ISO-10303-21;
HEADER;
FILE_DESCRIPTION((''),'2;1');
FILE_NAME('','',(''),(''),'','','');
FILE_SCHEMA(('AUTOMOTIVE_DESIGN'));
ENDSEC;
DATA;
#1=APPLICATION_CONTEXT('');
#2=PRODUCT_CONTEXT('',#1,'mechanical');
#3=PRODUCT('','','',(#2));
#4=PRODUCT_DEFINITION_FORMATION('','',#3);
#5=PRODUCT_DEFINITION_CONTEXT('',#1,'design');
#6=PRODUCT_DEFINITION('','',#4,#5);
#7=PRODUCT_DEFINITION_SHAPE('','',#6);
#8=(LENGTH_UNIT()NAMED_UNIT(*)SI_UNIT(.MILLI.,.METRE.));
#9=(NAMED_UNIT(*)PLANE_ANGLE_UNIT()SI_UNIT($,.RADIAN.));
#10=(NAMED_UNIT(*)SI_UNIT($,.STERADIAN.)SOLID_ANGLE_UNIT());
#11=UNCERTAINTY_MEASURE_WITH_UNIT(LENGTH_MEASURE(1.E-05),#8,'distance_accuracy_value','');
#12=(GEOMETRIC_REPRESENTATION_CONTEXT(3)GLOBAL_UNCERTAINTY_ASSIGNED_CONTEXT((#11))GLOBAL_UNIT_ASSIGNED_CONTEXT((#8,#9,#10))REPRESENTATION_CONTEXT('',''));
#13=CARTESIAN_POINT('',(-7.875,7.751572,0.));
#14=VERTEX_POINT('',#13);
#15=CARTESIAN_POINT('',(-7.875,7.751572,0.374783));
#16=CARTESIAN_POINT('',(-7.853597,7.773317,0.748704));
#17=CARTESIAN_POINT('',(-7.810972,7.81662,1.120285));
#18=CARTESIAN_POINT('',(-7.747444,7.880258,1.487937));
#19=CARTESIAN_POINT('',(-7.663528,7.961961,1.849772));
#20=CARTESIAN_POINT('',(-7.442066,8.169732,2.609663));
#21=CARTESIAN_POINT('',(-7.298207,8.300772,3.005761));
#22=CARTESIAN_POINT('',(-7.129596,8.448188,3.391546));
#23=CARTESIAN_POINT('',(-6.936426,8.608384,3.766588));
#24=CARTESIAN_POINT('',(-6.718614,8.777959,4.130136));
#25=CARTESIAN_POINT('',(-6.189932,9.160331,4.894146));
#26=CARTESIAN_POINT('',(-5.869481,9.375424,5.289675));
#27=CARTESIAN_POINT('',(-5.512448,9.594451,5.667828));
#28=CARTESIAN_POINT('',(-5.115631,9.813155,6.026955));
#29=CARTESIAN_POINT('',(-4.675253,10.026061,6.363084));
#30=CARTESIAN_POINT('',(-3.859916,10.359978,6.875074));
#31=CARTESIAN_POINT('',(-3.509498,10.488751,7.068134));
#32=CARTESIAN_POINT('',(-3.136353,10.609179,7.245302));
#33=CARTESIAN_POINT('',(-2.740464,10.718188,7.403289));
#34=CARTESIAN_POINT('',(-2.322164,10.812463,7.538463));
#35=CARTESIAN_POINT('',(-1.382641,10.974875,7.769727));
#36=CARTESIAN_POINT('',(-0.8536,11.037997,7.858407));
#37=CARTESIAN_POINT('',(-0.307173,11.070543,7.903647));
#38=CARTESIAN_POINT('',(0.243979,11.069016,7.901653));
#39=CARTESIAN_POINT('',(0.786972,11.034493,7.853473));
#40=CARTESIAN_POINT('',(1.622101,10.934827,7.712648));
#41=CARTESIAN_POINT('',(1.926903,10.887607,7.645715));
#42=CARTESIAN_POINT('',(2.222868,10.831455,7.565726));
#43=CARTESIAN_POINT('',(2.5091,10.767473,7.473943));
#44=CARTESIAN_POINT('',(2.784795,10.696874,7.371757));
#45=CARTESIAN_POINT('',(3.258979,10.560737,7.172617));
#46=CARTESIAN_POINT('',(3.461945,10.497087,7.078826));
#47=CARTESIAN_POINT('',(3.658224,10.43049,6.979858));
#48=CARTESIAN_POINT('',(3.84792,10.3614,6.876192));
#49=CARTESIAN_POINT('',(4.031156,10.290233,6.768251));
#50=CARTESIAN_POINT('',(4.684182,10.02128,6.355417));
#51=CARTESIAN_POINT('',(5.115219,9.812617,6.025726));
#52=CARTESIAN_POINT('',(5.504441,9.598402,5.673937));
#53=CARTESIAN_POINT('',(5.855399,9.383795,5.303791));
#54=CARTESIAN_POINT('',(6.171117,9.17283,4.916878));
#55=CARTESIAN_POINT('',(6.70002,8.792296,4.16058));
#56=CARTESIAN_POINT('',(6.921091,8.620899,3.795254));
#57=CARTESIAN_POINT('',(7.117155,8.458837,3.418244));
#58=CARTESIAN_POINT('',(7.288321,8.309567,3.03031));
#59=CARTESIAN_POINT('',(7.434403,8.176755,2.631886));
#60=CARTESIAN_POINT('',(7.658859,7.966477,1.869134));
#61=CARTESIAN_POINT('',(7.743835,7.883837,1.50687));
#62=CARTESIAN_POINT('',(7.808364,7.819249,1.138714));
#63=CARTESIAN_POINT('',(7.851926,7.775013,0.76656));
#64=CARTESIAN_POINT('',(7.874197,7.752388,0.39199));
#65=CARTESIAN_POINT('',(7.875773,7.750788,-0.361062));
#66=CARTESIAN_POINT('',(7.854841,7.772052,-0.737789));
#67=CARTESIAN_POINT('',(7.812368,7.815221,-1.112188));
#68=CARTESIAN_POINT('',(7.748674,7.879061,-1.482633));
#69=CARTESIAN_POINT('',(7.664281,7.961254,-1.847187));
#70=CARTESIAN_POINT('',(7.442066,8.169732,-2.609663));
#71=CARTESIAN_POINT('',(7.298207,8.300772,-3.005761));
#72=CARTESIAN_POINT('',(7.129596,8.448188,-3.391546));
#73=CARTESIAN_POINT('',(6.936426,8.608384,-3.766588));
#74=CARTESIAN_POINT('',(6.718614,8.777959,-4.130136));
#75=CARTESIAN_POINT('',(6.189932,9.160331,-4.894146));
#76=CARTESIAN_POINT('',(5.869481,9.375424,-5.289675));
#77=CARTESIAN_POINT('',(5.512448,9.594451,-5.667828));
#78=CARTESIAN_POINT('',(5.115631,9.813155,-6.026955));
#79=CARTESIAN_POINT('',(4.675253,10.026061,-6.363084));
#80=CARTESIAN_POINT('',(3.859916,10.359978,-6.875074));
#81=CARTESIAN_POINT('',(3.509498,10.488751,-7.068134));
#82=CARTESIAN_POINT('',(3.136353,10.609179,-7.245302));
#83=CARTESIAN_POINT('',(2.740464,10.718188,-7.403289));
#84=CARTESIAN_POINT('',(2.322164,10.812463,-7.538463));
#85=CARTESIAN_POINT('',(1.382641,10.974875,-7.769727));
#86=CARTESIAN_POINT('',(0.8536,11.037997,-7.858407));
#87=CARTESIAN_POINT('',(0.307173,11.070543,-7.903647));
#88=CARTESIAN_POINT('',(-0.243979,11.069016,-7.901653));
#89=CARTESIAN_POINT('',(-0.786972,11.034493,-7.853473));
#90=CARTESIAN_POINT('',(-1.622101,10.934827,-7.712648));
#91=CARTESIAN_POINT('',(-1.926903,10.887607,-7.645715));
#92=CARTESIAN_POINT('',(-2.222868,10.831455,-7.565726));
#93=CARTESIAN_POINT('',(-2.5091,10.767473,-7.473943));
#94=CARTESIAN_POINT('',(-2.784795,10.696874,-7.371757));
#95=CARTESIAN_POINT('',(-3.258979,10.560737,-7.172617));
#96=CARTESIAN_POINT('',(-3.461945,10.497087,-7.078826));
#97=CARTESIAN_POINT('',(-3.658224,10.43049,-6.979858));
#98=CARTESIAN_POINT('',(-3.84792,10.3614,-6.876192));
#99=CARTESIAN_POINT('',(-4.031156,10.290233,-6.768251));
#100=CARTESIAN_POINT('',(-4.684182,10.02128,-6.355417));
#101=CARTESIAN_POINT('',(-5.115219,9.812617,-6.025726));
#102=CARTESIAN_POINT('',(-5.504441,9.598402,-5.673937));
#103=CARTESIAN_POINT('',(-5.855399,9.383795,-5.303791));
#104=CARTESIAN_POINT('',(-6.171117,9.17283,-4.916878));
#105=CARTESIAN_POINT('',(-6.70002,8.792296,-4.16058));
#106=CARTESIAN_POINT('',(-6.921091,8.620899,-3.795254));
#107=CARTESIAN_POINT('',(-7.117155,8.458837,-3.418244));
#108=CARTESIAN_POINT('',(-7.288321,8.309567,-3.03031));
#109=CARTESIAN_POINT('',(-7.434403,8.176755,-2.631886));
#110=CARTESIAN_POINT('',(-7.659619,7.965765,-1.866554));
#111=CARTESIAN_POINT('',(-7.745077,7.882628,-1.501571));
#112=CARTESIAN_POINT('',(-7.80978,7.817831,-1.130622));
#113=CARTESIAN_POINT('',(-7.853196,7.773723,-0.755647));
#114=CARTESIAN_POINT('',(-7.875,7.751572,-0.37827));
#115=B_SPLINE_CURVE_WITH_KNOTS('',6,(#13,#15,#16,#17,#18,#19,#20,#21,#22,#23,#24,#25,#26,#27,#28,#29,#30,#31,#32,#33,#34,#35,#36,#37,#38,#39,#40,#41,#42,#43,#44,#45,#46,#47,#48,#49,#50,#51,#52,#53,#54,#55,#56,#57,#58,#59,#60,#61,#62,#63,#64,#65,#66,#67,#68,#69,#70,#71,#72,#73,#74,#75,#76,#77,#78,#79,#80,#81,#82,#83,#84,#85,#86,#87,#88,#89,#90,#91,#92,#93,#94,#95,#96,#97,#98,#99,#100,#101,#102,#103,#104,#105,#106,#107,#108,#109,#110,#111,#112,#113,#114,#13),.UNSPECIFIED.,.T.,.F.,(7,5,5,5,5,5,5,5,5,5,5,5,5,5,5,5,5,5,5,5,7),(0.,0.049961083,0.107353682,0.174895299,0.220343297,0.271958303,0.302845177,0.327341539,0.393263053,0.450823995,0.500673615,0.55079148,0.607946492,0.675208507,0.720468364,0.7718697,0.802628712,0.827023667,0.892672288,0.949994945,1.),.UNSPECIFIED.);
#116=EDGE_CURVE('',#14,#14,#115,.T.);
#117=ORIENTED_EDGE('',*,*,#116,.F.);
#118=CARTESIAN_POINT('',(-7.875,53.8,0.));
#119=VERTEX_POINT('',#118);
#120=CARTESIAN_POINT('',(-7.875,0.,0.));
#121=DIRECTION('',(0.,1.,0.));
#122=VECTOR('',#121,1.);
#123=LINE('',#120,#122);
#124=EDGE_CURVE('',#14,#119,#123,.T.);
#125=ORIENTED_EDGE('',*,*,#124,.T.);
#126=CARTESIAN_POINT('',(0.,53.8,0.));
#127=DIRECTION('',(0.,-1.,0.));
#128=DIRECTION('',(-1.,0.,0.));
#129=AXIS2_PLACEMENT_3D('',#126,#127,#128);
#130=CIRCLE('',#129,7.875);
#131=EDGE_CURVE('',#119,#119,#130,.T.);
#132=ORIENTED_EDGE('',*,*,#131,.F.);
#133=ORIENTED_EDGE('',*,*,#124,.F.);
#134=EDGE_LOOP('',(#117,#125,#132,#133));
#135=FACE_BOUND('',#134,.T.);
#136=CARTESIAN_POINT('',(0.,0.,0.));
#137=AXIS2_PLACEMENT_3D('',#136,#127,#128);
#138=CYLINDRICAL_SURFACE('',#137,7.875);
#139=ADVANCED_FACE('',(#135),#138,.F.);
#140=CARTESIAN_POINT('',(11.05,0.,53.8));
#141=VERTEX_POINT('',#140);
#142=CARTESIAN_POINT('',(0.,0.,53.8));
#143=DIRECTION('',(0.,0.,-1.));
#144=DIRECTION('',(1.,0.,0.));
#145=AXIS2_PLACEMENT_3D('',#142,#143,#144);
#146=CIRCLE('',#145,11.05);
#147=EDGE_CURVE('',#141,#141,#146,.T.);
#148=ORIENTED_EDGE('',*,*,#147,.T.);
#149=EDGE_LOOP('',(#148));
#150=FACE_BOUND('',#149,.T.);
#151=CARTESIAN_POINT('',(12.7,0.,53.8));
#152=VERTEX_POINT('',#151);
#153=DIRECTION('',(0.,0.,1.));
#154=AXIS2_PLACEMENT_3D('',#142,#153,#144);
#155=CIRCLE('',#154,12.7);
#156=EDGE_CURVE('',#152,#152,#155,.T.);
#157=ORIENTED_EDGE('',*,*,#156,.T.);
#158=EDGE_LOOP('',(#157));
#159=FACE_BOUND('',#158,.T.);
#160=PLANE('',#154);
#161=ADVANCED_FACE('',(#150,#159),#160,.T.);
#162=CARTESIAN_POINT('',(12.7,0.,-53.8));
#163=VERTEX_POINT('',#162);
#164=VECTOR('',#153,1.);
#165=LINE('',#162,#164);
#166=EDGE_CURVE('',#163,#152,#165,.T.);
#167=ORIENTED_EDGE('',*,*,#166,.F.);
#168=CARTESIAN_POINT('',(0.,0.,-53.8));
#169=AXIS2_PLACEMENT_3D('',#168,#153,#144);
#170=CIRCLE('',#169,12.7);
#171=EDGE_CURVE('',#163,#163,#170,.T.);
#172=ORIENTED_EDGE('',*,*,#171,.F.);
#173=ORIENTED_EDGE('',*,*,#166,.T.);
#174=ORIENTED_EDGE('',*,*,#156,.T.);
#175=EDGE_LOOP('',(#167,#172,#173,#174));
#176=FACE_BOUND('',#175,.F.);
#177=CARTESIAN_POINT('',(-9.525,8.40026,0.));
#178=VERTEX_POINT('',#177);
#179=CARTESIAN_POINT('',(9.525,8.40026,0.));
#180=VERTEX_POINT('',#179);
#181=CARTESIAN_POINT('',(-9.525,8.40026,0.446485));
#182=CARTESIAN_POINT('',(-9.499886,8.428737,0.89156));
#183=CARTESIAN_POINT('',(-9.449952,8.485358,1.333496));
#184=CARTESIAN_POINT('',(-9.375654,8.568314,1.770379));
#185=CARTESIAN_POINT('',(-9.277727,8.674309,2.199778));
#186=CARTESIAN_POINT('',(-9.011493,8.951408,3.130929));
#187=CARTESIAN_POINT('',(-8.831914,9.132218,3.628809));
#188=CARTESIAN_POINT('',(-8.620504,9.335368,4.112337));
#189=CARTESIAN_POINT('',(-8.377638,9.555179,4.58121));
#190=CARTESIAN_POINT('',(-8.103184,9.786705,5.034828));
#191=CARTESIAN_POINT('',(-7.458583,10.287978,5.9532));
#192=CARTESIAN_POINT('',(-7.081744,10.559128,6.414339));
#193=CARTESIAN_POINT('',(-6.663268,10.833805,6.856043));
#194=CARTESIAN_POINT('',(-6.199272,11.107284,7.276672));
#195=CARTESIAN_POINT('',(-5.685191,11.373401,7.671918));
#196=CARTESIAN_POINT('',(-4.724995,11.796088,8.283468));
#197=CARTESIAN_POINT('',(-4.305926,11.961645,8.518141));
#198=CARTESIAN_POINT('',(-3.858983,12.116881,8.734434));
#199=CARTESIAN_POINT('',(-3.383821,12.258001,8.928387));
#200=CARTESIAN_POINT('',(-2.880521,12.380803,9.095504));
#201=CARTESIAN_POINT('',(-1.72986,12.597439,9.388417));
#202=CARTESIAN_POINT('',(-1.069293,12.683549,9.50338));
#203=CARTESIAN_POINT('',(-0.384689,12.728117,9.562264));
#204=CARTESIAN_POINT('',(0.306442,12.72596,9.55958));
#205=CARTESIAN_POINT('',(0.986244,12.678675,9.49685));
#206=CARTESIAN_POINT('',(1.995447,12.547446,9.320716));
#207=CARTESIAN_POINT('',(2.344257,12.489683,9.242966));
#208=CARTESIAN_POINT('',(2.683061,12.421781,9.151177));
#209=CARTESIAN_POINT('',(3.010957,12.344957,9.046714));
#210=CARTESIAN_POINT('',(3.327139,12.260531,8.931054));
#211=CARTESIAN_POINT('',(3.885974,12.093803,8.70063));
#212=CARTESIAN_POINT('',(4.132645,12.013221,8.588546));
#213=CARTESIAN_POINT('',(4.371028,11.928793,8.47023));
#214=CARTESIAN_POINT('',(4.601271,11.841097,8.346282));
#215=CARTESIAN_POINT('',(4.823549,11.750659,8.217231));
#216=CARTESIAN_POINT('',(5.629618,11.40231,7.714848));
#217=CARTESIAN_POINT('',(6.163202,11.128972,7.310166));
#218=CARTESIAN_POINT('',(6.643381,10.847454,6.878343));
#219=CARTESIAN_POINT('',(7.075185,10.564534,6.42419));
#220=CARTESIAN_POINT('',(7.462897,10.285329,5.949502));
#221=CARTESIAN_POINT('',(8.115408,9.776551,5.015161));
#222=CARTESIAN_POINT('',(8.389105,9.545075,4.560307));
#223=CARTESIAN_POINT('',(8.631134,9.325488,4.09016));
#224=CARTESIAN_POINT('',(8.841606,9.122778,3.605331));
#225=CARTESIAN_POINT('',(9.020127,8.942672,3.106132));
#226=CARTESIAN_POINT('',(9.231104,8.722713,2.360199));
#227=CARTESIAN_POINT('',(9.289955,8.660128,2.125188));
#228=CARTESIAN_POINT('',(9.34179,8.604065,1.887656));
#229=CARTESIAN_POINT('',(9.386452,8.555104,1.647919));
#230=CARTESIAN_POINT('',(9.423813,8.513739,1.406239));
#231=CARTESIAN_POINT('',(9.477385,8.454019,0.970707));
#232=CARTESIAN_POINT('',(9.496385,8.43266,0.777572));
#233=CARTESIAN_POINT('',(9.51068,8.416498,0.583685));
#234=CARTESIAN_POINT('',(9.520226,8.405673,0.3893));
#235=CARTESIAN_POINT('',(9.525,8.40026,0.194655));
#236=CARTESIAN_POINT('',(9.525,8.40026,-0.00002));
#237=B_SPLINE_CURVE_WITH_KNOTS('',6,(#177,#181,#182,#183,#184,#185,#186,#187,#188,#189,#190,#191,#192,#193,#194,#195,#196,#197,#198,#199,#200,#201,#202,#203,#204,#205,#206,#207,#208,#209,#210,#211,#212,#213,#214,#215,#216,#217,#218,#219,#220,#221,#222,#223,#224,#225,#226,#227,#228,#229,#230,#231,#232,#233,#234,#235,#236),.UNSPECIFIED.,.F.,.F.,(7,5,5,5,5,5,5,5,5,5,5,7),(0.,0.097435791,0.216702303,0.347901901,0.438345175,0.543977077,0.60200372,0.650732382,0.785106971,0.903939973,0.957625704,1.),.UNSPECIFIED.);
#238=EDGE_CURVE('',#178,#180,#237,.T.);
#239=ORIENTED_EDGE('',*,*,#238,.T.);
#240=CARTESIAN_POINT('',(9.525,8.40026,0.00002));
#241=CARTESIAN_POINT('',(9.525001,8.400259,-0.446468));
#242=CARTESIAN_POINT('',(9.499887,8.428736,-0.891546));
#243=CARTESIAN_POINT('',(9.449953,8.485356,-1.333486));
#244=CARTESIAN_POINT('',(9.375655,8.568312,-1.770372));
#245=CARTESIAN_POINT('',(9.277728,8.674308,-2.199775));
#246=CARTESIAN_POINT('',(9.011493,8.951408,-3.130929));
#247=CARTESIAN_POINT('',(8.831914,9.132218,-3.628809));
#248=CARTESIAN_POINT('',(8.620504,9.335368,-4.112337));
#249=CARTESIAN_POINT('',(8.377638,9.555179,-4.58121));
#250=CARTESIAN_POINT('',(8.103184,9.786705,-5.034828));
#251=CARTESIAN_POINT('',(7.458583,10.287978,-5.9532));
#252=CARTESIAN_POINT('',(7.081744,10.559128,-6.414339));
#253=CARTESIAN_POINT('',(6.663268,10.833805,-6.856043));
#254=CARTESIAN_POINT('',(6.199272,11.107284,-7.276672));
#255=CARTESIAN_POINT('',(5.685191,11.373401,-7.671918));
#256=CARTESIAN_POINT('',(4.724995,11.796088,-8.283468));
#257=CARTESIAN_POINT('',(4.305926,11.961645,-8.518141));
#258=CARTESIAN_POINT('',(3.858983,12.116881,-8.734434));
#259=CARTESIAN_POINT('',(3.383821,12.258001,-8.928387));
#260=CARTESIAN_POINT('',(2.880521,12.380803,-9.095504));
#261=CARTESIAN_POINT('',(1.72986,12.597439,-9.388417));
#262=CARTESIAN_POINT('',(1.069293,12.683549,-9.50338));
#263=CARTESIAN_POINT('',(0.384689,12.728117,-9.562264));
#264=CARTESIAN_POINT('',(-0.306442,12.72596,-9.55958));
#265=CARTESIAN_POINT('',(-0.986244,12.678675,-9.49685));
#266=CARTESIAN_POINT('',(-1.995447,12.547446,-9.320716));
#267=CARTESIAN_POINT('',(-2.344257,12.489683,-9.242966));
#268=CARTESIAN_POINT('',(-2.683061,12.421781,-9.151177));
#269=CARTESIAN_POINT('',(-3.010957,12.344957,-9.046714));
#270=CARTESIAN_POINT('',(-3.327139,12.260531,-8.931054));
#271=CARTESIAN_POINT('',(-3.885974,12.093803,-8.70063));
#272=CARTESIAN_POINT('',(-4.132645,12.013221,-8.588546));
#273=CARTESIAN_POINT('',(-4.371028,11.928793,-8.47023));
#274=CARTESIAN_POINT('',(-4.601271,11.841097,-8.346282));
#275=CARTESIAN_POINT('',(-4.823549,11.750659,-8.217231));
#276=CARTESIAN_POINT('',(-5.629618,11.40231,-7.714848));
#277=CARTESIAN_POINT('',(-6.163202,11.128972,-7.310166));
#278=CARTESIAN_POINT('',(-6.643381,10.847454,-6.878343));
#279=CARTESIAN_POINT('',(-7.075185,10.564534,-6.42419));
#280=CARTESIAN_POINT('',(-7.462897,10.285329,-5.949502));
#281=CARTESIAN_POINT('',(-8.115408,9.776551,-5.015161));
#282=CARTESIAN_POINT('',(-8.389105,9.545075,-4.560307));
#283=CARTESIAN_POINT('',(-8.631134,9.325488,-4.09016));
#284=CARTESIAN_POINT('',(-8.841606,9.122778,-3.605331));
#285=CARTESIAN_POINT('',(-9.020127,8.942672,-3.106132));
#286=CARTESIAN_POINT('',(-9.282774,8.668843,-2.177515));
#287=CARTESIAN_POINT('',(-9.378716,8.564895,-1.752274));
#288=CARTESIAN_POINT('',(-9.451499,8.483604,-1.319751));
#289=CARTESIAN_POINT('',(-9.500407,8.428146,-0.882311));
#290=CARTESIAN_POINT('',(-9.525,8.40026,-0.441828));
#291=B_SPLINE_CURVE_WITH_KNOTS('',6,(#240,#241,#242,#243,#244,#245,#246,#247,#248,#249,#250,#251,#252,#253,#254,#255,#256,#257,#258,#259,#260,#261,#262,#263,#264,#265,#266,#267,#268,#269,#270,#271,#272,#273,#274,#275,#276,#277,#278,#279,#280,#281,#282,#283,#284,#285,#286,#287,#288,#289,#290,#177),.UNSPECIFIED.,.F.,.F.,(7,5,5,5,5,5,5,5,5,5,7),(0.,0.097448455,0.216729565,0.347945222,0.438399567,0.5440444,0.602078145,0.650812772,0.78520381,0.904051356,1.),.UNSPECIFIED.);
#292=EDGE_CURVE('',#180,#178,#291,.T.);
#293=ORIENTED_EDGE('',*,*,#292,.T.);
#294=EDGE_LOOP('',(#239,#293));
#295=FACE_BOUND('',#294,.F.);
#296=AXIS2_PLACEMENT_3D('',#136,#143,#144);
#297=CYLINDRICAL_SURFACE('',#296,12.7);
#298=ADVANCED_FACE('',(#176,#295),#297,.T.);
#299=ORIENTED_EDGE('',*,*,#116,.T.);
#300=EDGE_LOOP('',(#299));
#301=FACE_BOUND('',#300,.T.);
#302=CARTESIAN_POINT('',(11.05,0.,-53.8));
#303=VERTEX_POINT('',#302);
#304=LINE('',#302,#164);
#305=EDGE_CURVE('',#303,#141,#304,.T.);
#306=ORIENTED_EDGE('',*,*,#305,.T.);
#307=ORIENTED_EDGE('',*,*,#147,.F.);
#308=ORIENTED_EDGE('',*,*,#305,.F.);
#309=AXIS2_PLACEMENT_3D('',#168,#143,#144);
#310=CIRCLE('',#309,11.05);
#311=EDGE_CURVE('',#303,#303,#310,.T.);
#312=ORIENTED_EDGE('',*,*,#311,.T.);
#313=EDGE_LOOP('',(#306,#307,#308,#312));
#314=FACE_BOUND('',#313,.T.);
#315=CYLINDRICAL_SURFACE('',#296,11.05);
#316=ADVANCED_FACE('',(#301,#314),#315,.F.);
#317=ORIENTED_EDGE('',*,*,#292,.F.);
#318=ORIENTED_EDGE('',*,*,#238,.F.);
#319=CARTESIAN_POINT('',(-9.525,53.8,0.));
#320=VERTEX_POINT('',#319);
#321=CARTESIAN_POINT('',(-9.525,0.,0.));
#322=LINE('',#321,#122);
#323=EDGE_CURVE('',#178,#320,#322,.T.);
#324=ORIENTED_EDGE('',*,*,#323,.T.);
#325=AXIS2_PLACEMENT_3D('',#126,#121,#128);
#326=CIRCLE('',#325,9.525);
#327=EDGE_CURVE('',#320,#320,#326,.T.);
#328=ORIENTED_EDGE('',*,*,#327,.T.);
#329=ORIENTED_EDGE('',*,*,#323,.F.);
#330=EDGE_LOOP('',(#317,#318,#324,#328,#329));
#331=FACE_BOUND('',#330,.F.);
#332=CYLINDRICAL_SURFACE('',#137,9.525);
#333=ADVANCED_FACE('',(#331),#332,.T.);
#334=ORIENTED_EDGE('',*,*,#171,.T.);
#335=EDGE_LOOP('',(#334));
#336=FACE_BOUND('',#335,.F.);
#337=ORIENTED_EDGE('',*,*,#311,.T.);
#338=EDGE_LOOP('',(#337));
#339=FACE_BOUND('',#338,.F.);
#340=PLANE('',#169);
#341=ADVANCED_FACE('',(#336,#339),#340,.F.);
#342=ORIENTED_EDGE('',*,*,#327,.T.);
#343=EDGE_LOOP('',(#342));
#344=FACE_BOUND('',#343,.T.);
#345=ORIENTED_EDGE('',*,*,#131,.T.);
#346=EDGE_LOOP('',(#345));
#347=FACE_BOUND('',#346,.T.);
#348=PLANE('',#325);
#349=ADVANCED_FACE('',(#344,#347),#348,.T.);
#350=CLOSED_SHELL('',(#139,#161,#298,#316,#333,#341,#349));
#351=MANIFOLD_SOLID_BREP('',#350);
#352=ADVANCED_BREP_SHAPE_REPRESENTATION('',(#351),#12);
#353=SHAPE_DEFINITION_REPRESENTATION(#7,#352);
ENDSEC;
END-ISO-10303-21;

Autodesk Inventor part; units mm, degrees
ref_plane "YZ Plane" through (0, 0, 0) normal (1, 0, 0) x (0, 1, 0)
ref_plane "XZ Plane" through (0, 0, 0) normal (0, 1, 0) x (-1, 0, 0)
ref_plane "XY Plane" through (0, 0, 0) normal (0, 0, 1) x (1, 0, 0)
sketch "Sketch1" plane through (0, 0, 0) normal (0, 0, 1) x (1, 0, 0)
  circle A0 centre (0, 0) radius 12.7
  dimension "d0" = 25.4
extrude "Extrusion1" add sketch "Sketch1" along normal mid plane 107.6
sketch "Sketch2" plane through (0, 0, 0) normal (0, 1, 0) x (-1, 0, 0)
  circle A0 centre (0, 0) radius 9.525
  dimension "d3" = 19.05
extrude "Extrusion2" add sketch "Sketch2" along normal blind 53.8
shell "Shell1" thickness 1.65 removed faces 3 at (2.8113, 53.8, 0.0442) at (-3.6254, -0.9542, 53.8) at (-3.6254, -0.9542, -53.8)
properties part number "ASME BPE - RED TEE-25.4-19.05" material "Stainless Steel, 316L"
